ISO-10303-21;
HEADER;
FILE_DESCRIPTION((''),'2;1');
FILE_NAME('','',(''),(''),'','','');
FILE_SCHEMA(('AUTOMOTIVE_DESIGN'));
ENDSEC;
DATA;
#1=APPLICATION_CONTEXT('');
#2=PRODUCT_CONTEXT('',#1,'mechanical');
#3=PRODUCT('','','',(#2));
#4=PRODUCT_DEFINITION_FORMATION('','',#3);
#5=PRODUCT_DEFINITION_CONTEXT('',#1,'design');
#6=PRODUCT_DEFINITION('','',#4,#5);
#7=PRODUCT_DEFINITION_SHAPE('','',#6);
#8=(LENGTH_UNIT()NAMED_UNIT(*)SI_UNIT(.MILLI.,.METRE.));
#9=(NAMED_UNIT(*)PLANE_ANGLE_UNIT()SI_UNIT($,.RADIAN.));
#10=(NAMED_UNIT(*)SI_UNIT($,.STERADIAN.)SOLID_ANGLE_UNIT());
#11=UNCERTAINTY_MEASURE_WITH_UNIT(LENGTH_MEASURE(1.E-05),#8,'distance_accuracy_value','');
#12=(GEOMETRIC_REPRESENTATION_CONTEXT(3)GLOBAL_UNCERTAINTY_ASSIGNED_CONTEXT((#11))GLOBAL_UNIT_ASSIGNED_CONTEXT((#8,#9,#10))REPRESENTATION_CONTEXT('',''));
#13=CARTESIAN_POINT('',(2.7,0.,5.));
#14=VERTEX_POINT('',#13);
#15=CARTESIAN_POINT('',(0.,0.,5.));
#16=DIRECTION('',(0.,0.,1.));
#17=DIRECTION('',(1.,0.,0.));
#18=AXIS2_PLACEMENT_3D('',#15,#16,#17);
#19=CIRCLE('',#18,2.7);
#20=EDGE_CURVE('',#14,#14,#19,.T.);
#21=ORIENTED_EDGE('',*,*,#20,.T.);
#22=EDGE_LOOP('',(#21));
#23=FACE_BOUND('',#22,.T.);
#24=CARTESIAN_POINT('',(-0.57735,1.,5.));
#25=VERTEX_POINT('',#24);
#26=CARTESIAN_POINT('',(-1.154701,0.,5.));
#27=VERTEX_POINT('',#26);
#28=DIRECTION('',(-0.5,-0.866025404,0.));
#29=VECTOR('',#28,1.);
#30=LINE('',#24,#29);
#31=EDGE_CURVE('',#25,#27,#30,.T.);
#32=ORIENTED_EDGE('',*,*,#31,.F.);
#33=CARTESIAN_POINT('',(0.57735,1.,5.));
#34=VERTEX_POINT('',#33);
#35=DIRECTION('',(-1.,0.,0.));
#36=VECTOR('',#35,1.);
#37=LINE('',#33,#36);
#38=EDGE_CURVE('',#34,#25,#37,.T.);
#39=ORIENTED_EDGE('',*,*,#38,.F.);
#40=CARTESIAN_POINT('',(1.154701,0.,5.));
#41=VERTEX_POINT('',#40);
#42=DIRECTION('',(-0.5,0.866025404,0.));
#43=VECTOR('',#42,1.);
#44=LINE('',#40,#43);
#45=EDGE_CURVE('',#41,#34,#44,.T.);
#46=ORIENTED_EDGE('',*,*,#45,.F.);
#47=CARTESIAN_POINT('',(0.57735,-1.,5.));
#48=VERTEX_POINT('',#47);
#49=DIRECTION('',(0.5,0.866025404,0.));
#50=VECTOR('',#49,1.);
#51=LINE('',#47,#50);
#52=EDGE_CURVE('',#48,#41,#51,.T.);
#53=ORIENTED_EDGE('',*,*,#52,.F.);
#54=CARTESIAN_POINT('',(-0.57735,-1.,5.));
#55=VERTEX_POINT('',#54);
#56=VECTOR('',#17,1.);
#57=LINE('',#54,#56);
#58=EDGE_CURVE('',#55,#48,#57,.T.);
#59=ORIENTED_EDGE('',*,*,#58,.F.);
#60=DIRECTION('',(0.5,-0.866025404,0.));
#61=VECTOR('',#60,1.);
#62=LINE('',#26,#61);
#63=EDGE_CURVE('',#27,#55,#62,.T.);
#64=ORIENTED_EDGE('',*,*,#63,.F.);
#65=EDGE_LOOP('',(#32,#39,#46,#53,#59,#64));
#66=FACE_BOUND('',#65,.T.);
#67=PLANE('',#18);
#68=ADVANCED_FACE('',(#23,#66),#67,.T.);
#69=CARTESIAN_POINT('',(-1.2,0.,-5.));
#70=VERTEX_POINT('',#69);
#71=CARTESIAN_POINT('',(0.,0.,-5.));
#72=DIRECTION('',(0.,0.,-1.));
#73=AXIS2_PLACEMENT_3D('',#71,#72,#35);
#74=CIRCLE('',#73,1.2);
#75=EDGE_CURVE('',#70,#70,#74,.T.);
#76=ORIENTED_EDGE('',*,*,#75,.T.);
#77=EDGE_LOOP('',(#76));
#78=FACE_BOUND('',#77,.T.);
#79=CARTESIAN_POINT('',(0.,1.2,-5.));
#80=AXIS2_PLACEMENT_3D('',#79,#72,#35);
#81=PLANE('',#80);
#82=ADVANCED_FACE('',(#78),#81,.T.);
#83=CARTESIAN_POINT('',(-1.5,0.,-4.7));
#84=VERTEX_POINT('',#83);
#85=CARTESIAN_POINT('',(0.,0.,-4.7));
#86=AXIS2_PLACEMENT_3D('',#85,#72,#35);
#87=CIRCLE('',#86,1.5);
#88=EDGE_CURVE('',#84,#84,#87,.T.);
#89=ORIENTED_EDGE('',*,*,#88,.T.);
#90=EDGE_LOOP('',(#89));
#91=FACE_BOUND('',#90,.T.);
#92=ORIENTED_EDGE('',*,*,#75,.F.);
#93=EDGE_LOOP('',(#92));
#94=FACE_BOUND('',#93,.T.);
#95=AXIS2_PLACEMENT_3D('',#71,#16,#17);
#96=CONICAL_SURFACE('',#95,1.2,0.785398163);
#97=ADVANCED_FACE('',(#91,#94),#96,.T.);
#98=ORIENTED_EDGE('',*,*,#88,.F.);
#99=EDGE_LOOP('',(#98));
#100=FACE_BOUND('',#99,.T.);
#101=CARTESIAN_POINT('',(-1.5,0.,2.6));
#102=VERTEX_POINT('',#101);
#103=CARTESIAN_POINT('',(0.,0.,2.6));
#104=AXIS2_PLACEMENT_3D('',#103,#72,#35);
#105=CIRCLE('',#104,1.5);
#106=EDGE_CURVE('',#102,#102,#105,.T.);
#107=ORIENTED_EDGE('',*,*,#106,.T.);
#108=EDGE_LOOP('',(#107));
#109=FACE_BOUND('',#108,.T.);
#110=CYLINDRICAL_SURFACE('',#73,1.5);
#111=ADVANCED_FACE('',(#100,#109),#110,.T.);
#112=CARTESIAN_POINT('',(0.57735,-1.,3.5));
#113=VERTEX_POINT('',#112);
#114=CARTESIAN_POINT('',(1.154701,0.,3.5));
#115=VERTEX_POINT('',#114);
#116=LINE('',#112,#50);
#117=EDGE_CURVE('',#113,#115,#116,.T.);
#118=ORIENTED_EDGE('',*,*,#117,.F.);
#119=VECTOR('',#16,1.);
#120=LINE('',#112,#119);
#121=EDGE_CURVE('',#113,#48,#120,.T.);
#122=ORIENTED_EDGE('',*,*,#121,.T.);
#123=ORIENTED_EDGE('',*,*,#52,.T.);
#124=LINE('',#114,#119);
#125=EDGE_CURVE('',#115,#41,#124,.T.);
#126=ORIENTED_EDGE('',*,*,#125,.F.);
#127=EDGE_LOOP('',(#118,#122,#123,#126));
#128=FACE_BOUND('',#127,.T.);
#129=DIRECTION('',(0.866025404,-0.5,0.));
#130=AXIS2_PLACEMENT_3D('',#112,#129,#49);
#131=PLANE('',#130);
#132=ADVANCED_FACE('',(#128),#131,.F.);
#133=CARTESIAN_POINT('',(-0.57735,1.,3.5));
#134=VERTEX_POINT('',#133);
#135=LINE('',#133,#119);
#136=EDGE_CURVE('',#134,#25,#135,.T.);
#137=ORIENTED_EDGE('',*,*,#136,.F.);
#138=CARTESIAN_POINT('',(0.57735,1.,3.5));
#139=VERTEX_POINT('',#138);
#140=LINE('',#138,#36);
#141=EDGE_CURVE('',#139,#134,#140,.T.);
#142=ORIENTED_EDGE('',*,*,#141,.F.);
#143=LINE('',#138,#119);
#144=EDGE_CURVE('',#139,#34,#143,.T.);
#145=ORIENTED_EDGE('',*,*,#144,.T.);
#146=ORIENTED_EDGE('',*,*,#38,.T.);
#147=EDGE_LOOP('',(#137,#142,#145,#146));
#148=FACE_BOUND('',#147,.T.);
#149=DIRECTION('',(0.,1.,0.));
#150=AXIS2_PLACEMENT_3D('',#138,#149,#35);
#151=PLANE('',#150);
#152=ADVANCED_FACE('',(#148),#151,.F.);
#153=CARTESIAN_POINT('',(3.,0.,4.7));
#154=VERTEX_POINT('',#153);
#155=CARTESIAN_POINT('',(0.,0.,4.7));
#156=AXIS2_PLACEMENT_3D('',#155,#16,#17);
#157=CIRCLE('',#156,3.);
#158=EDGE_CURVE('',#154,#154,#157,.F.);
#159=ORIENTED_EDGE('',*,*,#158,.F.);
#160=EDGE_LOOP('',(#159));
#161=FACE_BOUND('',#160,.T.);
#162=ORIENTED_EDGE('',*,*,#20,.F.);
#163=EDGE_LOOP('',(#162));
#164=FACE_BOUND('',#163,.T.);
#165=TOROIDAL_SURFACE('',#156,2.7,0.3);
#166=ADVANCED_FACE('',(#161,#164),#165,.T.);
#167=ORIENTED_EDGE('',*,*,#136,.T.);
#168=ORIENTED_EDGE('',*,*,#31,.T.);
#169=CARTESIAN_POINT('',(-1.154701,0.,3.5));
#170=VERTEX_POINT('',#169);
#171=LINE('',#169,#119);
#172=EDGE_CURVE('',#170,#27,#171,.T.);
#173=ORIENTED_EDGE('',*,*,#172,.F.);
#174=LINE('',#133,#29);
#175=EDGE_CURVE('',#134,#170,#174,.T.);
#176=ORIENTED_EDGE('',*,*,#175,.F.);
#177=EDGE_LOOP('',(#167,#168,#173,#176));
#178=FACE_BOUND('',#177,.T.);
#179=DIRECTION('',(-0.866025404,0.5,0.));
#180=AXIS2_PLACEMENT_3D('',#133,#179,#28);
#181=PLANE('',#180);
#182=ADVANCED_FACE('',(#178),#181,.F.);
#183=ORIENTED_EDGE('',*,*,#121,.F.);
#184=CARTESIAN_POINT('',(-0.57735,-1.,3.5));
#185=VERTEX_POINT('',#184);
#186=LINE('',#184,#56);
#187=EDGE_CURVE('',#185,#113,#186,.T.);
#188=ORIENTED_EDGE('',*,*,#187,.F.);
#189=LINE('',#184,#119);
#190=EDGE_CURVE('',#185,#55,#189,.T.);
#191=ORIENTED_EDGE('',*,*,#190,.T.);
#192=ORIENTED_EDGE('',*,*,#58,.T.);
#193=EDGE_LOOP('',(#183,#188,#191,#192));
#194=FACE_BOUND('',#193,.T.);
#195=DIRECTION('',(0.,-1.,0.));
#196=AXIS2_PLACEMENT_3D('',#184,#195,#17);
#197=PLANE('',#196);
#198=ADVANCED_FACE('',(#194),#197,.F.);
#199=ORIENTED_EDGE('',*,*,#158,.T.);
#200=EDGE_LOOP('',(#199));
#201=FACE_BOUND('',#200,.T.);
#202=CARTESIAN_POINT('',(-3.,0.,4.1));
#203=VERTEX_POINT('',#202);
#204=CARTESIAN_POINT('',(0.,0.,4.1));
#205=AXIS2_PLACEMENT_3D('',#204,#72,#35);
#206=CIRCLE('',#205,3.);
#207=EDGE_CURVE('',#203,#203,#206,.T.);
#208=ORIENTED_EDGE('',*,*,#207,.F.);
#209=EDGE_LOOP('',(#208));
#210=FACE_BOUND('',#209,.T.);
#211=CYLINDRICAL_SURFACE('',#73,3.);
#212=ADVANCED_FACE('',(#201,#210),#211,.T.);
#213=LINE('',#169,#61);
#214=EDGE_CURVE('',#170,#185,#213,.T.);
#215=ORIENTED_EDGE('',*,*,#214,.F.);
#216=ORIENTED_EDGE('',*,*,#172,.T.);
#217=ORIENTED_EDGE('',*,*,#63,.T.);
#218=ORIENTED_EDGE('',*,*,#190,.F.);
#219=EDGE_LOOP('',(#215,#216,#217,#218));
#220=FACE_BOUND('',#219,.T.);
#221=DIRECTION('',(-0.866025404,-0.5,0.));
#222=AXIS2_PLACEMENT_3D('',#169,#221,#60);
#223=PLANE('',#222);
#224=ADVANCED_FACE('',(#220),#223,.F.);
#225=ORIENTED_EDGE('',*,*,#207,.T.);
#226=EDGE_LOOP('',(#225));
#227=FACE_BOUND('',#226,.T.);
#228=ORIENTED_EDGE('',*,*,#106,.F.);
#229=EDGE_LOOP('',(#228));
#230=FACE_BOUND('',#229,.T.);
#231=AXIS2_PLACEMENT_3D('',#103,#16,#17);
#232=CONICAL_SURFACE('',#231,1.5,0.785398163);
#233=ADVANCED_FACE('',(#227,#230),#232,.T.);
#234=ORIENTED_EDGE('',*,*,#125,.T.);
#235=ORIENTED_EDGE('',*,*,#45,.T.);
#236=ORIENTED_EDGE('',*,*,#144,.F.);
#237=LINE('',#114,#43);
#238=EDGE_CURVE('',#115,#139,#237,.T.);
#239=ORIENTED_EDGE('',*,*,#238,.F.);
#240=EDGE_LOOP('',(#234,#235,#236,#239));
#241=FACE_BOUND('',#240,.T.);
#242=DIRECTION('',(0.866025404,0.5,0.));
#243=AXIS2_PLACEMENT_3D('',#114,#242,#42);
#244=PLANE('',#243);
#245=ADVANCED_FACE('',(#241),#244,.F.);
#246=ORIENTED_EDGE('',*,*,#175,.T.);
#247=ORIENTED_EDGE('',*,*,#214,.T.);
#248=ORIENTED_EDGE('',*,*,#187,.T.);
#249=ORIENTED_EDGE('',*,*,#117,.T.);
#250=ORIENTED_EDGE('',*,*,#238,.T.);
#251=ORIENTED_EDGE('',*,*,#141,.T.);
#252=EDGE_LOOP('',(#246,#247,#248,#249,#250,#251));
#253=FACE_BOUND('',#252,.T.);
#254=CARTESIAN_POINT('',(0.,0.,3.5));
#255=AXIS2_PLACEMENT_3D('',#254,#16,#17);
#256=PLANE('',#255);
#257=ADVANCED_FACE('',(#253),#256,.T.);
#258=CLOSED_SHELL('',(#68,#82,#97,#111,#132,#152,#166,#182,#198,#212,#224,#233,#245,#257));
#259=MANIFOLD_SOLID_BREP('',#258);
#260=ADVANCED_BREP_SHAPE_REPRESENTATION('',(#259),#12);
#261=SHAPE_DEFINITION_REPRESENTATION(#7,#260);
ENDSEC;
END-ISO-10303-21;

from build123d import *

# Parameters (mm, degrees)
CUT_EXTRUDE_1_DEPTH = 1.5
FILLET_1_R          = 0.3


with BuildPart() as part:
    # 草图1 → 旋转1 (revolve)
    with BuildSketch(Plane(origin=(0, 0, 0), x_dir=(0, 0, -1), z_dir=(1, 0, 0)), mode=Mode.PRIVATE) as revolve_1_sk:
        Polygon((-5, 0), (-5, 3), (-4.1, 3), (-2.6, 1.5), (4.7, 1.5), (5, 1.2), (5, 0), align=None)
    revolve(revolve_1_sk.sketch.rotate(Axis((0, 0, -5), (0, 0, 1)), 90), axis=Axis((0, 0, -5), (0, 0, 1)))

    # 草图2 → 切除-拉伸1 (cut)
    with BuildSketch(Plane.XY.offset(5)):
        Polygon((1.154700538, 0), (0.577350269, 1), (-0.577350269, 1), (-1.154700538, 0), (-0.577350269, -1), (0.577350269, -1), align=None)
    extrude(amount=-CUT_EXTRUDE_1_DEPTH, mode=Mode.SUBTRACT)

    # 圆角1
    fillet_1_edges = [part.edges().sort_by_distance(p)[0] for p in [
        (3, 0, 5),
    ]]
    fillet(fillet_1_edges, radius=FILLET_1_R)


solid = part.part
